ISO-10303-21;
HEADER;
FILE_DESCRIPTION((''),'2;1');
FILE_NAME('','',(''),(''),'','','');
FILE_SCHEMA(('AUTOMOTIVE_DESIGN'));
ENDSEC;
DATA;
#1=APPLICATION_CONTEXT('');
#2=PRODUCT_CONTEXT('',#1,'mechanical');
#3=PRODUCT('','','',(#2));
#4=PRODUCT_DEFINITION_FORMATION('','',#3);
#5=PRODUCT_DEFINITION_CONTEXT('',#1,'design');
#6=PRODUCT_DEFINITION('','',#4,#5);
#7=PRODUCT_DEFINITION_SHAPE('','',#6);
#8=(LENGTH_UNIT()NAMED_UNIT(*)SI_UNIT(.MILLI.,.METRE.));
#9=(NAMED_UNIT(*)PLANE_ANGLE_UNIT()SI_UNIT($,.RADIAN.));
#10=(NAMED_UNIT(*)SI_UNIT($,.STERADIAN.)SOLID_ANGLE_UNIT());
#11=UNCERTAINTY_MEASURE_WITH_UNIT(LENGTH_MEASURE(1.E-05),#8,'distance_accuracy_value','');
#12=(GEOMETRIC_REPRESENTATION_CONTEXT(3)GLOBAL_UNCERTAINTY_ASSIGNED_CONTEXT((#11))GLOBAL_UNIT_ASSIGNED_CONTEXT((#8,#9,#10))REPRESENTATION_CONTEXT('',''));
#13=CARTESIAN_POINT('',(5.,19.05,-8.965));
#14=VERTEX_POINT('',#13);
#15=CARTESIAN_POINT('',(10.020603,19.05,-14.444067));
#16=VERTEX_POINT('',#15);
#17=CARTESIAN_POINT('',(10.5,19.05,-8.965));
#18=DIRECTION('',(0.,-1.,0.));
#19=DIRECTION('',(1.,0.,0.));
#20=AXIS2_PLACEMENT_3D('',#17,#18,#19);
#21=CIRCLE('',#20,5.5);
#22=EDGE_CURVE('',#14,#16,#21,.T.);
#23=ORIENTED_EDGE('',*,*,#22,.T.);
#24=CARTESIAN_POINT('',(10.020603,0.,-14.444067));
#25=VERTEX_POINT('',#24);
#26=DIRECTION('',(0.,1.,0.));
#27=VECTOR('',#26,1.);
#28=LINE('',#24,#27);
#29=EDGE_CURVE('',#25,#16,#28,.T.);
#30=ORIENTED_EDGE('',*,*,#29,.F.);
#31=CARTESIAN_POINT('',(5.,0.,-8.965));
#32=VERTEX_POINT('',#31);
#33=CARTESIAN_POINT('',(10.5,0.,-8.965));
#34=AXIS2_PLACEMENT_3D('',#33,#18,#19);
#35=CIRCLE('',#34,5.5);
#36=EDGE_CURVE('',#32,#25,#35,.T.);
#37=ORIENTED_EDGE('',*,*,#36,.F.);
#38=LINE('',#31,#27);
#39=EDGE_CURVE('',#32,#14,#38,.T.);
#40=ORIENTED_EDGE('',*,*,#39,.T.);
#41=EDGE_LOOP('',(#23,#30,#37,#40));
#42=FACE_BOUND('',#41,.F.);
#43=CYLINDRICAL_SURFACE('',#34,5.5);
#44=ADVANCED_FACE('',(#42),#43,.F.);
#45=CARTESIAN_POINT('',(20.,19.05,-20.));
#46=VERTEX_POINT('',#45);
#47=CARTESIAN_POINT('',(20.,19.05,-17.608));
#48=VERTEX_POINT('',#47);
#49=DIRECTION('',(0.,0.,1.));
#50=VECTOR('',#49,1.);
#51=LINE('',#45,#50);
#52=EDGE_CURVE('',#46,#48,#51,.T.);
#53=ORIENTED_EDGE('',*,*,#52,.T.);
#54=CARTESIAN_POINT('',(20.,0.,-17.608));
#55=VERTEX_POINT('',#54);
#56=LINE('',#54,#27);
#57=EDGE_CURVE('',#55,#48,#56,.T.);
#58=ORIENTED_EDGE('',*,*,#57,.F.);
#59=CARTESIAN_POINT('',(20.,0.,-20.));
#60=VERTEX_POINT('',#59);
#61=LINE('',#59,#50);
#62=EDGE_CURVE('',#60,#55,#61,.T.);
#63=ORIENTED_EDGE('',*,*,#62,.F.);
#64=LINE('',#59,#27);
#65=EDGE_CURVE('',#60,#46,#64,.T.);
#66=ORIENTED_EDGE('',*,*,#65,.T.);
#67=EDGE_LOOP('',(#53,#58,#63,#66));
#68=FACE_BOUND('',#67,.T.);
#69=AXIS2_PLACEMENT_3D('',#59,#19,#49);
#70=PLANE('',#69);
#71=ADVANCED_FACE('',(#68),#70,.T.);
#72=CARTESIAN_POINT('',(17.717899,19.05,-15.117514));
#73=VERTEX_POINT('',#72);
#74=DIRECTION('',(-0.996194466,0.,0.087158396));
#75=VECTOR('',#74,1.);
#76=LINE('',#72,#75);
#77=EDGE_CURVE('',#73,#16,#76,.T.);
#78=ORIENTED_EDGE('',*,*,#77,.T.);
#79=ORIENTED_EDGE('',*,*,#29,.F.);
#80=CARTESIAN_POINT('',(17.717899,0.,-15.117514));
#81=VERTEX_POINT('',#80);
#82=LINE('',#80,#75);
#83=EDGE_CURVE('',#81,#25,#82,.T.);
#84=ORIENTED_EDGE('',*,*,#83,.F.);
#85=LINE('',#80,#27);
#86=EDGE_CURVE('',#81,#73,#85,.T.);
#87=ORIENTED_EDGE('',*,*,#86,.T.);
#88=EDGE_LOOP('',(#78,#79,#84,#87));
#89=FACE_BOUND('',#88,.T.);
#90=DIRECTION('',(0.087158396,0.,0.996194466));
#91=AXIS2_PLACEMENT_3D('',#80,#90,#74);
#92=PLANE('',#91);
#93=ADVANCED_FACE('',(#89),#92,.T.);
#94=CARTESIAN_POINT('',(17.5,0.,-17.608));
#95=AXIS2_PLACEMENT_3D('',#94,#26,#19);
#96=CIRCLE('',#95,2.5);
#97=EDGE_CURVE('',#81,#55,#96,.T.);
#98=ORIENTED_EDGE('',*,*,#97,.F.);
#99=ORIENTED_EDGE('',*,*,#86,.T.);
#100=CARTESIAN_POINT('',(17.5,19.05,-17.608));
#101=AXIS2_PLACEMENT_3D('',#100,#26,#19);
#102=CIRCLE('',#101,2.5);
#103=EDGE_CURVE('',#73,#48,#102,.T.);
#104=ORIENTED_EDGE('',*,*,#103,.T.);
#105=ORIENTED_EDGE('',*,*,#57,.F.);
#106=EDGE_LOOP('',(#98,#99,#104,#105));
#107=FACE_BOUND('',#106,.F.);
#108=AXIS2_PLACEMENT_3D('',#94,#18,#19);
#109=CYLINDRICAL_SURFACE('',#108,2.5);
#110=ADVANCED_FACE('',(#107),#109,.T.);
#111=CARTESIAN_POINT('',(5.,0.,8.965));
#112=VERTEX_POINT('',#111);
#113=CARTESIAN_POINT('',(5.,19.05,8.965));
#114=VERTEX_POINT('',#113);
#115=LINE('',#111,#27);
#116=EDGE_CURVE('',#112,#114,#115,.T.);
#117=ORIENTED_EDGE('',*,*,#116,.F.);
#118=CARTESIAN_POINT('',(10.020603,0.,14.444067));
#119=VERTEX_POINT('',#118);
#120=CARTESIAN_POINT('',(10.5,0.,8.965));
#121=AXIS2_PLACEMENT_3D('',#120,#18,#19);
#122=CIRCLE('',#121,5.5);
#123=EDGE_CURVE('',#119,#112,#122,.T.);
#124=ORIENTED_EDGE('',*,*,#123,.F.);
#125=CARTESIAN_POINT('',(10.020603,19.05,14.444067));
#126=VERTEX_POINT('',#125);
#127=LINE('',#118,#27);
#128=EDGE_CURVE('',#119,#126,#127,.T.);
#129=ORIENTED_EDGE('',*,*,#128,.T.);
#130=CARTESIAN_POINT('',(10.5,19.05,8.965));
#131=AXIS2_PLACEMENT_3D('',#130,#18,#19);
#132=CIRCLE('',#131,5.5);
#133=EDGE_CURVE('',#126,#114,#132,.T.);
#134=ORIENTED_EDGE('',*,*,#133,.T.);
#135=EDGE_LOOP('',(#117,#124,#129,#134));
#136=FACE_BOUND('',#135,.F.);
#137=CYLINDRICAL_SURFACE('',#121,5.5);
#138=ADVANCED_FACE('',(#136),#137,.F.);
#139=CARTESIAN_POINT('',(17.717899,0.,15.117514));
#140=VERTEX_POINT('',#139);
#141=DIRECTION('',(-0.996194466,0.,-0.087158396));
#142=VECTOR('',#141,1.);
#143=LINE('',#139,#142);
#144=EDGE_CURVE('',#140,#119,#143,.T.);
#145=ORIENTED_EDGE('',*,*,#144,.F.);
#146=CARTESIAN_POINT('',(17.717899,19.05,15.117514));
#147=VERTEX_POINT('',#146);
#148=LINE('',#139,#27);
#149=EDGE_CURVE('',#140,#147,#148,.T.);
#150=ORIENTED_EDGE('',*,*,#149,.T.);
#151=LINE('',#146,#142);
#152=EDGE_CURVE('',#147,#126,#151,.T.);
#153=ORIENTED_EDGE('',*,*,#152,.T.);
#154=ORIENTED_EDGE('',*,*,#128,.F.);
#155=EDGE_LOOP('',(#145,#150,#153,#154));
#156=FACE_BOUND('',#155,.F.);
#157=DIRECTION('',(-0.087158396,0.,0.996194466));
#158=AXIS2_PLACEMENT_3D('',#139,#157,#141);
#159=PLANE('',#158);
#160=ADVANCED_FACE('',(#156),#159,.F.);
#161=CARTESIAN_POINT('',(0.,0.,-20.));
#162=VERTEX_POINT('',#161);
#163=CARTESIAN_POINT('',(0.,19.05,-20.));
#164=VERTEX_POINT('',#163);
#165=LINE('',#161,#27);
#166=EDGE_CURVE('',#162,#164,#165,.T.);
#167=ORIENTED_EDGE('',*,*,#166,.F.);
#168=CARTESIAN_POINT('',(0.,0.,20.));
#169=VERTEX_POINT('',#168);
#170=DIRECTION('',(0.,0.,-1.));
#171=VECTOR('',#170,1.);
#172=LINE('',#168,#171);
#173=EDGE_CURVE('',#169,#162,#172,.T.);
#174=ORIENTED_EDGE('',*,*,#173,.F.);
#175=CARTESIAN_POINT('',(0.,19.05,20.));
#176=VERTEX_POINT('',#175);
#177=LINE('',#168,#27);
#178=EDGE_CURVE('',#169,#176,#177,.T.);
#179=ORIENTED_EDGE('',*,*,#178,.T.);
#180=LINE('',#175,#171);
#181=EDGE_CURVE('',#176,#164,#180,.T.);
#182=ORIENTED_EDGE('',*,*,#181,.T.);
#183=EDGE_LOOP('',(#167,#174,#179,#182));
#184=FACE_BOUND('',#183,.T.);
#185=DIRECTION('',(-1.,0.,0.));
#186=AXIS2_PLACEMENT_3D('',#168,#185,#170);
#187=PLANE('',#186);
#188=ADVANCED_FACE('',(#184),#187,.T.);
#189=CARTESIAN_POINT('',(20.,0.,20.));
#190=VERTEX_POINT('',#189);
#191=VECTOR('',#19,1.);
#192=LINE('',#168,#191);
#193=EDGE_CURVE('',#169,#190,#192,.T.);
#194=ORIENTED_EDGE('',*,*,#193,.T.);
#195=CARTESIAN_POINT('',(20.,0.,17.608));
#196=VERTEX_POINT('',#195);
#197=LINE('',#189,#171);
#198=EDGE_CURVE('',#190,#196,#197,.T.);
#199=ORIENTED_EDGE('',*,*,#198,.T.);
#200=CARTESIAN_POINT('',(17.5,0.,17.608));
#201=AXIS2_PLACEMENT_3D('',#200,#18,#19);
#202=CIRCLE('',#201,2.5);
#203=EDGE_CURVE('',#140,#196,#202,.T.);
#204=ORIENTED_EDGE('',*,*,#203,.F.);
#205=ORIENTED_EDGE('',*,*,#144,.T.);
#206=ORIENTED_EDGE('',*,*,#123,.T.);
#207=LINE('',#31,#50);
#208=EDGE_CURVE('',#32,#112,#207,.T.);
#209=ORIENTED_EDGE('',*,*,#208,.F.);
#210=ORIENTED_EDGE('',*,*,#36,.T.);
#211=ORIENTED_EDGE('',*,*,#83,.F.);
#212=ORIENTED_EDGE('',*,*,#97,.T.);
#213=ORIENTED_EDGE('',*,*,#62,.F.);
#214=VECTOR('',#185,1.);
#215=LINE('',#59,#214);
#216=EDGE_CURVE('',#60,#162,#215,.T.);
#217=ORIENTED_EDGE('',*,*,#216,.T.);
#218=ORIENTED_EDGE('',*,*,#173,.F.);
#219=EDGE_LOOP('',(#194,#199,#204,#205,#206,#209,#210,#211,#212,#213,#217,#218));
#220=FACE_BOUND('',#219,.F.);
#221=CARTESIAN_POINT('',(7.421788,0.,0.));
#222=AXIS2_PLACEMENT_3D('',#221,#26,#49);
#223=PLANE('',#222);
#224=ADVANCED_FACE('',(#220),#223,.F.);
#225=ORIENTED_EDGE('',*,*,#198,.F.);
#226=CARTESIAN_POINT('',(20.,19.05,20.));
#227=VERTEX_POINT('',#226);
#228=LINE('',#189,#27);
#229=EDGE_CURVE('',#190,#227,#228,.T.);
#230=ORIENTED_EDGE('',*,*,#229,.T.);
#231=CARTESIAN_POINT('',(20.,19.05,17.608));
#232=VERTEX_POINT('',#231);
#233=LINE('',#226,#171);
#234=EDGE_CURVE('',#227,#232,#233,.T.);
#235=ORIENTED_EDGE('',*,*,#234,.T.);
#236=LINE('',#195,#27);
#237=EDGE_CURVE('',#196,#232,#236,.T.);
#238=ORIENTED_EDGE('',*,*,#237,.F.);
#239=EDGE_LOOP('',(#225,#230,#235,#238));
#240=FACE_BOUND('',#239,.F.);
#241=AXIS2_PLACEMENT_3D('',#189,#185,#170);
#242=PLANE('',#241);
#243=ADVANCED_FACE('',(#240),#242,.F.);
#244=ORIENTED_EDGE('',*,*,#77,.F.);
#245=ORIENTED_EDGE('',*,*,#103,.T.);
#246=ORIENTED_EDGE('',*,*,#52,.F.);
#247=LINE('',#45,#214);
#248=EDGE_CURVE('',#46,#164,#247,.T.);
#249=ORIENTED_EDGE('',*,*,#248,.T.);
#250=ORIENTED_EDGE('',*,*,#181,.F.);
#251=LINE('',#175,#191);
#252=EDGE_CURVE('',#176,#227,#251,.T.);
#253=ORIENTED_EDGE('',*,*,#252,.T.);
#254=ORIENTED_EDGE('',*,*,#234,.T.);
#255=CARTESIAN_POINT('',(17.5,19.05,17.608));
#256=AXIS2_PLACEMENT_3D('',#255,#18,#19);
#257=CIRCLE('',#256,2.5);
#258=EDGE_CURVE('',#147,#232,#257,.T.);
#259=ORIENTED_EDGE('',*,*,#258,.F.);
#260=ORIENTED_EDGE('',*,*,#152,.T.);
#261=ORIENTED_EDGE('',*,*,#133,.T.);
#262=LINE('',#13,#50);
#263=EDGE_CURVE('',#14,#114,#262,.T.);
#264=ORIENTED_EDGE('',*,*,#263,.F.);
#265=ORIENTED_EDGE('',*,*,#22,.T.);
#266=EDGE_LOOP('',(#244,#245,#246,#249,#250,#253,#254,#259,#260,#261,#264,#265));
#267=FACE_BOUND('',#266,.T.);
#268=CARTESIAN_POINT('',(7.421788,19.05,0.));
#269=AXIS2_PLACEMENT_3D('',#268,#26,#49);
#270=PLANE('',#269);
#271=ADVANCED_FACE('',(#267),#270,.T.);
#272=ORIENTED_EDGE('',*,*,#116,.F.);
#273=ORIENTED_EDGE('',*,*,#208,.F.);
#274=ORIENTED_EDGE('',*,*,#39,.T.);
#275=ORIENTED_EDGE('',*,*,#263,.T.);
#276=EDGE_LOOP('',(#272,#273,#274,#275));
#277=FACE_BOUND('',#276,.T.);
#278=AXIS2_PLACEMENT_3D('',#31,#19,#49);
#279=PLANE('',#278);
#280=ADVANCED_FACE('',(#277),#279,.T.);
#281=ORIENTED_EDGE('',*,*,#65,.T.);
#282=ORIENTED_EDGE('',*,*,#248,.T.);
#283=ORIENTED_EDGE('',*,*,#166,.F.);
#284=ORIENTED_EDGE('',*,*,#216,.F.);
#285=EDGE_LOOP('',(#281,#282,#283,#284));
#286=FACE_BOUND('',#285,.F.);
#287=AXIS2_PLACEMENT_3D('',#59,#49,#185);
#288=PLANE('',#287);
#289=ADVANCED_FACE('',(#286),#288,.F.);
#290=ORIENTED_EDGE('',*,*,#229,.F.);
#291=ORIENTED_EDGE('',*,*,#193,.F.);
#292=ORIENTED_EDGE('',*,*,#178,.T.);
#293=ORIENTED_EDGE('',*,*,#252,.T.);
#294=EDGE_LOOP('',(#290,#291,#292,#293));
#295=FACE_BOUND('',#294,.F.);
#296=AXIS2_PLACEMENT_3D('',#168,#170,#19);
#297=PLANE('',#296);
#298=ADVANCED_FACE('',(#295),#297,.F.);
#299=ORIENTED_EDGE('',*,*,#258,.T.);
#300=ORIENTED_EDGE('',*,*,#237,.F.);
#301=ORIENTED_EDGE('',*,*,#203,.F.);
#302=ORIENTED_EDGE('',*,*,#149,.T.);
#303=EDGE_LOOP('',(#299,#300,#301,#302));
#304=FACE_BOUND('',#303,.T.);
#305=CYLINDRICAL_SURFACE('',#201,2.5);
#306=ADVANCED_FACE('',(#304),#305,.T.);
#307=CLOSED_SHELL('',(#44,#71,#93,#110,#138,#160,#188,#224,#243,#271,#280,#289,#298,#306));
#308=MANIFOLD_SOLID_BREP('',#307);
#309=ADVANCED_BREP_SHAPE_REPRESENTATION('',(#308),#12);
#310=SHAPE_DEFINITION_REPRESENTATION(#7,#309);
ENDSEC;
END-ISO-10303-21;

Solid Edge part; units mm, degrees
sketch "Sketch1" plane through (0, 0, 0) normal (0, -1, 0) x (1, 0, 0)
  line L0 (20, -20) -> (0, -20)
  line L1 (0, 20) -> (0, -20)
  line L2 (0, 20) -> (20, 20)
  line L3 (20, 20) -> (20, 17.608)
  arc A0 (17.7179, 15.1175) -> (20, 17.608) centre (17.5, 17.608) ccw
  line L4 (17.7179, 15.1175) -> (10.0206, 14.4441)
  arc A1 (10.0206, 14.4441) -> (5, 8.965) centre (10.5, 8.965) ccw
  line L5 (5, -8.965) -> (5, 8.965)
  arc A2 (5, -8.965) -> (10.0206, -14.4441) centre (10.5, -8.965) ccw
  line L6 (17.7179, -15.1175) -> (10.0206, -14.4441)
  arc A3 (17.7179, -15.1175) -> (20, -17.608) centre (17.5, -17.608) cw
  line L7 (20, -20) -> (20, -17.608)
  dimension "D1" = 2.392
  dimension "D2" = 2.392
  dimension "D3" = 20
  dimension "D4" = 40
  dimension "D5" = 5
extrude "Protrusion1" add sketch "Sketch1" against normal blind 19.05
